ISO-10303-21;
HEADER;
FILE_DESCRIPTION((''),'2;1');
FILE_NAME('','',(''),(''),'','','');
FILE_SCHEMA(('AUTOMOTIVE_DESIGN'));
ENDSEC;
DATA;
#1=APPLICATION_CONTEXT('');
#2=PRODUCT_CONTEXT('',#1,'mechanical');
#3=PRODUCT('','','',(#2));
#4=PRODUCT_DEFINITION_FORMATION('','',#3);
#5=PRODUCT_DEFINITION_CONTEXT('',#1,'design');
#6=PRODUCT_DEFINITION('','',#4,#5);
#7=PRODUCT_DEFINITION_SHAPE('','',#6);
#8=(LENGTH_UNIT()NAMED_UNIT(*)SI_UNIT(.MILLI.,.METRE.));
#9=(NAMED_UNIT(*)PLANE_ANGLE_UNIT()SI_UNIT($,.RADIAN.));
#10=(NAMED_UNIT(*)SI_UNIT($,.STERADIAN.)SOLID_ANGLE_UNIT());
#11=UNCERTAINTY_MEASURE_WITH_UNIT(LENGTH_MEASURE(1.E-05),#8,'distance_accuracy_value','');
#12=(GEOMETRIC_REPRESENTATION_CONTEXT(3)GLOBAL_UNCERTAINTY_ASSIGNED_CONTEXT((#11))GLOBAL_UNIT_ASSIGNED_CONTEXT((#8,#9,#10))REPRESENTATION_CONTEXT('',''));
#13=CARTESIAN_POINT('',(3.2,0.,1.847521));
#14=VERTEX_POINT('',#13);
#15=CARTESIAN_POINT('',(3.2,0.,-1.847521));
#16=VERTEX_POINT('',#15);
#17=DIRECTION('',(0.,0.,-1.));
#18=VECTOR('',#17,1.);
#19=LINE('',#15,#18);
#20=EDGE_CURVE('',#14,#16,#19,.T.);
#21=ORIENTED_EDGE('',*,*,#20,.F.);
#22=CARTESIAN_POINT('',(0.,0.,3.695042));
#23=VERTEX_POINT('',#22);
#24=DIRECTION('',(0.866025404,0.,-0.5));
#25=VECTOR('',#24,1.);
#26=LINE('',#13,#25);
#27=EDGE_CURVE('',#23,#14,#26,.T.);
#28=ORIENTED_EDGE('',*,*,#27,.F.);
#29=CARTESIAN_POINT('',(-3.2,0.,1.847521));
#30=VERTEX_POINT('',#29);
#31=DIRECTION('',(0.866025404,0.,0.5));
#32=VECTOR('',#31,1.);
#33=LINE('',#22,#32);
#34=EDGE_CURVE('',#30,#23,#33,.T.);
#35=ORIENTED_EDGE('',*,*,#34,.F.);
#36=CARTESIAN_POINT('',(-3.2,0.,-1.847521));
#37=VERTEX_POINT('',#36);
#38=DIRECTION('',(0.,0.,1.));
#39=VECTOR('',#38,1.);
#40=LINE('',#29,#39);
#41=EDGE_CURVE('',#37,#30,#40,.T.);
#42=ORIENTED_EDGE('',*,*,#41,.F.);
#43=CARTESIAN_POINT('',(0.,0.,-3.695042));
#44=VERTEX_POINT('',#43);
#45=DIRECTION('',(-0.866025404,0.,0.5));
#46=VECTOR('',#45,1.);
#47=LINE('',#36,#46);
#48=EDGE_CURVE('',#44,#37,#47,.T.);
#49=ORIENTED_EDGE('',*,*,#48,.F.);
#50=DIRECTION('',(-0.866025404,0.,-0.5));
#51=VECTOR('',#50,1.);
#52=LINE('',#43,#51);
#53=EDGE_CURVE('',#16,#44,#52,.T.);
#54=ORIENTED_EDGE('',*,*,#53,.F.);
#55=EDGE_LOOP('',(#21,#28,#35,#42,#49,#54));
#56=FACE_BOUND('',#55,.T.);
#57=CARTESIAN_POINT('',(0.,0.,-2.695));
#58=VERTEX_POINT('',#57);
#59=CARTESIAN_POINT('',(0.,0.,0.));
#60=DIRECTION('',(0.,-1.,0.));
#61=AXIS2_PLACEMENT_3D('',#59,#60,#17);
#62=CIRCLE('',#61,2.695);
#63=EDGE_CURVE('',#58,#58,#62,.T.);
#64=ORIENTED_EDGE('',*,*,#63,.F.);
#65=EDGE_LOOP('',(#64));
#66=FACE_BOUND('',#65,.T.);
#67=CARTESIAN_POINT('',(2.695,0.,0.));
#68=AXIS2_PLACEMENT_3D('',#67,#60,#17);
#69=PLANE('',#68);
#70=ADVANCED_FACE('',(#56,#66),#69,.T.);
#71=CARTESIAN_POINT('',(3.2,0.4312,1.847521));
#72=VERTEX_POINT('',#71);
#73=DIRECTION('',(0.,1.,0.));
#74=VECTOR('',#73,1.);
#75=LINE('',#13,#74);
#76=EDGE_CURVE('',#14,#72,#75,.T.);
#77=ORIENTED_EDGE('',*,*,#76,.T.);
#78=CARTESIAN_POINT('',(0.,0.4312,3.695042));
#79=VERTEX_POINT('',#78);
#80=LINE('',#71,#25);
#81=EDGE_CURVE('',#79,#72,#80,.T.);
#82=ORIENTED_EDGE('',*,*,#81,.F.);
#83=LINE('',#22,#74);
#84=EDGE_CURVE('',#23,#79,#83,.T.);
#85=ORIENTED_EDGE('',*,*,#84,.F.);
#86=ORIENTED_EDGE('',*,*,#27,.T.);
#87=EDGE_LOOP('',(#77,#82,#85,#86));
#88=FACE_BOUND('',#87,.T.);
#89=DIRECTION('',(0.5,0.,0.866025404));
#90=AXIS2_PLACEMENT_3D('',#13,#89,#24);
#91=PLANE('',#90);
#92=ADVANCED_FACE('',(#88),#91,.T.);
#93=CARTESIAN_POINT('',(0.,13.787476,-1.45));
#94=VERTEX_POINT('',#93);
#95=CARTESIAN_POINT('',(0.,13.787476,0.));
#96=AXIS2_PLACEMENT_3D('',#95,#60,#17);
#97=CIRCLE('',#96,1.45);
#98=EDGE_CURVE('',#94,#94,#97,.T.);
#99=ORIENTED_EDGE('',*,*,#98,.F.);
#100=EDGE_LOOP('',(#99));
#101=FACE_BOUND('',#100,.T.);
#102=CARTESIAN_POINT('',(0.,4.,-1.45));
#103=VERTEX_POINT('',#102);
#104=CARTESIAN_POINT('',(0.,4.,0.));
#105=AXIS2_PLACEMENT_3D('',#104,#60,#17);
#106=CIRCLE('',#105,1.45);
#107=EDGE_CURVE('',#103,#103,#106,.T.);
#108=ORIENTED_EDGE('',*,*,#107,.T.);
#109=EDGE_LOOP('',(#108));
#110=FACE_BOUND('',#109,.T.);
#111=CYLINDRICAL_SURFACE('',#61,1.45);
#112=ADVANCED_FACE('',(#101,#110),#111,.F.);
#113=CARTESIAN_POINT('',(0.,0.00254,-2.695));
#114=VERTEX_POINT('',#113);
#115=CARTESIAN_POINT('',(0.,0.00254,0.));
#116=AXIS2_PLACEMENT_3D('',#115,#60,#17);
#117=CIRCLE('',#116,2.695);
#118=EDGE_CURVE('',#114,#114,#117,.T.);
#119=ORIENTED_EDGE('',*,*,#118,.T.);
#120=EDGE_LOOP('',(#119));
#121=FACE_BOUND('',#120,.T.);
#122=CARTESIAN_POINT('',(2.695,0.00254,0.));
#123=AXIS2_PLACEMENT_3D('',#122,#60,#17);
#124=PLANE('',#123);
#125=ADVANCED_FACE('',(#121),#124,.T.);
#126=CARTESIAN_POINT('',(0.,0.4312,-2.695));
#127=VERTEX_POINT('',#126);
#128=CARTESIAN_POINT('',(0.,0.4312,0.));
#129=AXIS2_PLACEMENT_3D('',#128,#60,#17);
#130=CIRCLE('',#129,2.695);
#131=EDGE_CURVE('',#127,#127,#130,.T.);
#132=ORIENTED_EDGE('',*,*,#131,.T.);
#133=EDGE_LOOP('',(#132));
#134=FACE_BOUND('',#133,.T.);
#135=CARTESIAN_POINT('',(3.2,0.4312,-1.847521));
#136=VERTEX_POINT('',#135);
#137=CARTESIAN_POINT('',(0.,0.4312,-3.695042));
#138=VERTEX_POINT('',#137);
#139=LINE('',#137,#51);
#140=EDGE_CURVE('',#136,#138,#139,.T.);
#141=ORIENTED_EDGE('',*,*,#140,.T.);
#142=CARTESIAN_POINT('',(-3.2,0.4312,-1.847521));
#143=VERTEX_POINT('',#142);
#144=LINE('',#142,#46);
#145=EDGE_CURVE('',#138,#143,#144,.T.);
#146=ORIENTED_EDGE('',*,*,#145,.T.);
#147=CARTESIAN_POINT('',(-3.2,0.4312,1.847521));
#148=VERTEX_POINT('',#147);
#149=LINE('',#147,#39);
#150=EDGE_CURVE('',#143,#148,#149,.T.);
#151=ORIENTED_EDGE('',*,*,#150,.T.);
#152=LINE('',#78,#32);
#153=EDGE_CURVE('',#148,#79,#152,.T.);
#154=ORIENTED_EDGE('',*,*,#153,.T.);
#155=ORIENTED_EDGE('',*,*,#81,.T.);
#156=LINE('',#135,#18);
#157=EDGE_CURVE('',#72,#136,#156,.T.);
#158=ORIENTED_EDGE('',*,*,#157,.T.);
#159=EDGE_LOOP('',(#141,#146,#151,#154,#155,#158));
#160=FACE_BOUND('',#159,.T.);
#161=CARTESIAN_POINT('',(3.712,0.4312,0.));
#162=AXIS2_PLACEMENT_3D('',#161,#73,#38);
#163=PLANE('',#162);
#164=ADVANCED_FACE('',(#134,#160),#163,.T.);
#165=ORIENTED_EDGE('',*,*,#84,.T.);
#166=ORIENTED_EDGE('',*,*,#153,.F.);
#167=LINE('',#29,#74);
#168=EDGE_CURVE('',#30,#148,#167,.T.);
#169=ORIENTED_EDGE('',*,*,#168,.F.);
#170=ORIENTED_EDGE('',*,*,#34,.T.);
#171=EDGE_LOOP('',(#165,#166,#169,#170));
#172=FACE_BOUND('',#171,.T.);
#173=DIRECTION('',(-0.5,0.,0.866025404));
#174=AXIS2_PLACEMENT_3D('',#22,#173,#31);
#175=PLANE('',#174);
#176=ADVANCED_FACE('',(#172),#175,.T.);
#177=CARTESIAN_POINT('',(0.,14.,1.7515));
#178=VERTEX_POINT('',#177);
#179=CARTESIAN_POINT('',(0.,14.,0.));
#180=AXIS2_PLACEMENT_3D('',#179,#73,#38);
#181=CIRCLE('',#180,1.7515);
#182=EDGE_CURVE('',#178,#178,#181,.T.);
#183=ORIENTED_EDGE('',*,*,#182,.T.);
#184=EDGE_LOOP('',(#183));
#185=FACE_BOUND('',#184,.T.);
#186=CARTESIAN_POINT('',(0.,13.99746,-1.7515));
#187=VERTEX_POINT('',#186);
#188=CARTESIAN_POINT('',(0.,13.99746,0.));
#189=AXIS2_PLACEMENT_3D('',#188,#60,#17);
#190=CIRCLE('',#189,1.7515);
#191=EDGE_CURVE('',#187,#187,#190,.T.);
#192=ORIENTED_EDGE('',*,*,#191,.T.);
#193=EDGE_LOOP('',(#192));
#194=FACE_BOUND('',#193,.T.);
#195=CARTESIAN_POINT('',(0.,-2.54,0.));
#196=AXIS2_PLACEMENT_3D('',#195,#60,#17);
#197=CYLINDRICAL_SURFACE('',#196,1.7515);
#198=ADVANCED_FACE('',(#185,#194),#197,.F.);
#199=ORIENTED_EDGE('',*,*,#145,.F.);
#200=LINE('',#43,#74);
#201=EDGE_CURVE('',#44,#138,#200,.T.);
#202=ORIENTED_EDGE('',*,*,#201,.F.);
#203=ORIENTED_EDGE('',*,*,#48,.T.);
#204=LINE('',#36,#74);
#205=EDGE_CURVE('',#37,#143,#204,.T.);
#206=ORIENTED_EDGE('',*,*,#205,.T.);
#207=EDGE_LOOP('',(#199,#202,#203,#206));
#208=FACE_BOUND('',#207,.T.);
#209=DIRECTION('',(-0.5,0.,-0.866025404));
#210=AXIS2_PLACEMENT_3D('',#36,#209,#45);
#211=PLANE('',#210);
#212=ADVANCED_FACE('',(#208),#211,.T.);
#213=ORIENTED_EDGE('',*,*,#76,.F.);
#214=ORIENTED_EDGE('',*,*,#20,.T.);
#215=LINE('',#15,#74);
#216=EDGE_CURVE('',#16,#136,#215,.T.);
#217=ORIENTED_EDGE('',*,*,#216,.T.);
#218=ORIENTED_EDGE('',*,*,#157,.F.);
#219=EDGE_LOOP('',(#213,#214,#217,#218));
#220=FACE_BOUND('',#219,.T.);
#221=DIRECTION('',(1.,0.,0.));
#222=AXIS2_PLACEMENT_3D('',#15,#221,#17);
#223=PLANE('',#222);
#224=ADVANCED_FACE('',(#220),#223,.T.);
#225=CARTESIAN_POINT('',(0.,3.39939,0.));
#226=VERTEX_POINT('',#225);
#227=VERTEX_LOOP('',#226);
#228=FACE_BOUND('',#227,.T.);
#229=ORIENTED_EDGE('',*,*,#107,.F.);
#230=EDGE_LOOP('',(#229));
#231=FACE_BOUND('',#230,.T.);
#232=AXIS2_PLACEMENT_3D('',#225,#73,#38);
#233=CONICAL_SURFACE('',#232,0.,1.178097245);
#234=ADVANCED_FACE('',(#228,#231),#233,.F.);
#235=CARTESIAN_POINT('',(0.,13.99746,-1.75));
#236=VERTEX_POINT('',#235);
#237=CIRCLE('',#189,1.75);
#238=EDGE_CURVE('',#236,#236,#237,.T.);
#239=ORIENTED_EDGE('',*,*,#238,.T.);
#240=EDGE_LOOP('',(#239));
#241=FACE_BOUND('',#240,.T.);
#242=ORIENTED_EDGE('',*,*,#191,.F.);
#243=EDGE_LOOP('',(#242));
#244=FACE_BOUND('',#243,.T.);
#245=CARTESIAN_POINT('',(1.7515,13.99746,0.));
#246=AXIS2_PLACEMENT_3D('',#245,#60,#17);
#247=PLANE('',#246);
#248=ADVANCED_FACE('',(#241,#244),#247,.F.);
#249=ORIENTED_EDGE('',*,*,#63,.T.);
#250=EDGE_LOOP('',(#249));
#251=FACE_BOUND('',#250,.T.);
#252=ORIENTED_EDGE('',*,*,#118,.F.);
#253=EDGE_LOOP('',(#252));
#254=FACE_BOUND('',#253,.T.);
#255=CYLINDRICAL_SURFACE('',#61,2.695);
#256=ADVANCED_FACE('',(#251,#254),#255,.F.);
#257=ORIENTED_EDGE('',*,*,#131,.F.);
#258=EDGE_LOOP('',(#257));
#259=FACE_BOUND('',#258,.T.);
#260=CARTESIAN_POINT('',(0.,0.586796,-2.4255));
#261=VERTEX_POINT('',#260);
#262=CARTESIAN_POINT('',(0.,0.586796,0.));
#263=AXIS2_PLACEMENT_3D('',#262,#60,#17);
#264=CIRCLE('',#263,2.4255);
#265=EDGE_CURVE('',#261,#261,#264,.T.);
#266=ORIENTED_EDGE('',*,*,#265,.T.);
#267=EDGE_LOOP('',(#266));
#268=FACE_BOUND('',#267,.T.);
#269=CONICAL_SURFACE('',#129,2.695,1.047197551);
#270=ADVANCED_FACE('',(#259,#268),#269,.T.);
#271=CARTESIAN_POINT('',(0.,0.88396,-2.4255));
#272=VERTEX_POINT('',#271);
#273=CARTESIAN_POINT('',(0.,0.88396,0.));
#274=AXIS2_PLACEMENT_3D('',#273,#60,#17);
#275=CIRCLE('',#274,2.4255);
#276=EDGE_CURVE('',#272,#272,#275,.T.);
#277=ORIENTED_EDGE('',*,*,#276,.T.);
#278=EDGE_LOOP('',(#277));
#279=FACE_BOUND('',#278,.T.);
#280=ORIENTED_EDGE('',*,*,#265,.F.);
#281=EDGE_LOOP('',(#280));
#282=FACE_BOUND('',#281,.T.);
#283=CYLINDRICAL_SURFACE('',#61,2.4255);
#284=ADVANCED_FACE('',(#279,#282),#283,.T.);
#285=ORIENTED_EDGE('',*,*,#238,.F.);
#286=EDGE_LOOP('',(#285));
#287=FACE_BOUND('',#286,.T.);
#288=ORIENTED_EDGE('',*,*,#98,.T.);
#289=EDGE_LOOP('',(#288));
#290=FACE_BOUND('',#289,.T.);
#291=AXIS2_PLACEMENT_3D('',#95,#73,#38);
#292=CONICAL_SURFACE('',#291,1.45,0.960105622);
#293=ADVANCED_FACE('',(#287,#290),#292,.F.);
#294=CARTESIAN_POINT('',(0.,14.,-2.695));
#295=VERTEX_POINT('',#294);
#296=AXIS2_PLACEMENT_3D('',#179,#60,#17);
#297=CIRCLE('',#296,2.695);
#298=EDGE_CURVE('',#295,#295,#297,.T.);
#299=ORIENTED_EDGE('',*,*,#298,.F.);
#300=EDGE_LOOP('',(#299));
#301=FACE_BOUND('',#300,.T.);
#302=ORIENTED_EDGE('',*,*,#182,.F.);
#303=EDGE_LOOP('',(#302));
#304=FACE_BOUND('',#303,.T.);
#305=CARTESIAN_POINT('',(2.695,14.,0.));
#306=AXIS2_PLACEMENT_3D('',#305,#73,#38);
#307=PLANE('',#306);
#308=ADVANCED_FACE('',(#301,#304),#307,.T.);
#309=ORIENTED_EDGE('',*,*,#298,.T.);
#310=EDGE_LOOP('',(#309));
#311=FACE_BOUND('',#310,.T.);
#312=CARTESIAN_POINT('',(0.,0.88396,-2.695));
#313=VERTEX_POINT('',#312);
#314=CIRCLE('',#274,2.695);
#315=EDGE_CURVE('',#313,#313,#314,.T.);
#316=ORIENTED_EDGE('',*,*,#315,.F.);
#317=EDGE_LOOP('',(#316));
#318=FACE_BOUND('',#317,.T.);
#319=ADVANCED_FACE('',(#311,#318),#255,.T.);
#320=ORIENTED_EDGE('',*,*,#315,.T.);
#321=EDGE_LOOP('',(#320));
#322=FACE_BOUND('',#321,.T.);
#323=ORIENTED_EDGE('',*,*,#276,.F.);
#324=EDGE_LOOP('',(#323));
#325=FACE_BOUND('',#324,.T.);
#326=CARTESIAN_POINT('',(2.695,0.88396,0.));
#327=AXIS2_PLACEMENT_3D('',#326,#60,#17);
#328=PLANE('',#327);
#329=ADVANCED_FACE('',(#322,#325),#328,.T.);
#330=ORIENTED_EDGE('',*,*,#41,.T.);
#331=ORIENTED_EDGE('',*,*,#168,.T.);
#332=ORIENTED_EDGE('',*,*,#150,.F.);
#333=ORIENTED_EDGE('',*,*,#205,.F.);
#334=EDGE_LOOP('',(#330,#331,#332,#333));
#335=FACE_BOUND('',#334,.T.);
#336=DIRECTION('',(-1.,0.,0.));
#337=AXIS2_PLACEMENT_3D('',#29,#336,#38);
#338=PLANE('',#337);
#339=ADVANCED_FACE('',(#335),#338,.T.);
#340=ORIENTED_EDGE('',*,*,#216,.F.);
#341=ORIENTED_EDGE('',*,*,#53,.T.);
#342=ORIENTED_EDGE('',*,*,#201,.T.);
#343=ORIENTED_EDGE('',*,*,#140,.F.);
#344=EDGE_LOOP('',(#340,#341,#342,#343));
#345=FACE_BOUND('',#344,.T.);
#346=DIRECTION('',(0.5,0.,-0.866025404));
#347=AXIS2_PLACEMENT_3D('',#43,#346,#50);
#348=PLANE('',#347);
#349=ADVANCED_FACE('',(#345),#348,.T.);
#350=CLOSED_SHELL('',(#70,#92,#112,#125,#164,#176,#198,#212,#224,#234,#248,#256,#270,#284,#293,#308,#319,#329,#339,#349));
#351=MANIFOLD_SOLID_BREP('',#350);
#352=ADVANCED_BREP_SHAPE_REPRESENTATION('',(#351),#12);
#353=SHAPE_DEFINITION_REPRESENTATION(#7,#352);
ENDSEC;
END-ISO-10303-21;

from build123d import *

# Parameters (mm, degrees)
HEXDIESKE_R  = 3.7125
HEXDIE_DEPTH = 0.4312


with BuildPart() as part:
    # BodySke → Body (revolve)
    with BuildSketch(Plane.XY, mode=Mode.PRIVATE) as body_sk:
        Polygon((2.695, 0), (3.712, 0), (3.712, 0.4312), (2.695, 0.4312), (2.4255, 0.586795898), (2.4255, 0.88396), (2.695, 0.88396), (2.695, 14), (1.45, 14), (1.45, 7), (0, 7), (0, 0.00254), (2.695, 0.00254), align=None)
    revolve(body_sk.sketch.rotate(Axis((0, 0, 0), (0, 1, 0)), 90), axis=Axis((0, 0, 0), (0, 1, 0)))

    # TapDriSke → TapDrill (revolve, cut)
    with BuildSketch(Plane.XY, mode=Mode.PRIVATE) as tapdrill_sk:
        Polygon((1.45, 4), (1.45, 14), (0, 14), (0, 3.399390335), align=None)
    revolve(tapdrill_sk.sketch.rotate(Axis((0, 0, 0), (0, 1, 0)), 90), axis=Axis((0, 0, 0), (0, 1, 0)), mode=Mode.SUBTRACT)

    # EndChamferSke → EndChamfer (revolve, cut)
    with BuildSketch(Plane.XY, mode=Mode.PRIVATE) as endchamfer_sk:
        Polygon((1.7515, 13.99746), (1.7515, 14.254), (1.45, 14.254), (1.45, 13.78747576), (1.75, 13.99746), align=None)
    revolve(endchamfer_sk.sketch.rotate(Axis((0, -2.54, 0), (0, 1, 0)), 90), axis=Axis((0, -2.54, 0), (0, 1, 0)), mode=Mode.SUBTRACT)

    # HexDieSke → HexDie (cut)
    with BuildSketch(Plane(origin=(0, 0.4312, 0), x_dir=(-1, 0, 0), z_dir=(0, 1, 0))):
        Circle(HEXDIESKE_R)
        Polygon((0, 3.695041723), (3.2, 1.847520861), (3.2, -1.847520861), (0, -3.695041723), (-3.2, -1.847520861), (-3.2, 1.847520861), align=None, mode=Mode.SUBTRACT)
    extrude(amount=-HEXDIE_DEPTH, mode=Mode.SUBTRACT)


solid = part.part
